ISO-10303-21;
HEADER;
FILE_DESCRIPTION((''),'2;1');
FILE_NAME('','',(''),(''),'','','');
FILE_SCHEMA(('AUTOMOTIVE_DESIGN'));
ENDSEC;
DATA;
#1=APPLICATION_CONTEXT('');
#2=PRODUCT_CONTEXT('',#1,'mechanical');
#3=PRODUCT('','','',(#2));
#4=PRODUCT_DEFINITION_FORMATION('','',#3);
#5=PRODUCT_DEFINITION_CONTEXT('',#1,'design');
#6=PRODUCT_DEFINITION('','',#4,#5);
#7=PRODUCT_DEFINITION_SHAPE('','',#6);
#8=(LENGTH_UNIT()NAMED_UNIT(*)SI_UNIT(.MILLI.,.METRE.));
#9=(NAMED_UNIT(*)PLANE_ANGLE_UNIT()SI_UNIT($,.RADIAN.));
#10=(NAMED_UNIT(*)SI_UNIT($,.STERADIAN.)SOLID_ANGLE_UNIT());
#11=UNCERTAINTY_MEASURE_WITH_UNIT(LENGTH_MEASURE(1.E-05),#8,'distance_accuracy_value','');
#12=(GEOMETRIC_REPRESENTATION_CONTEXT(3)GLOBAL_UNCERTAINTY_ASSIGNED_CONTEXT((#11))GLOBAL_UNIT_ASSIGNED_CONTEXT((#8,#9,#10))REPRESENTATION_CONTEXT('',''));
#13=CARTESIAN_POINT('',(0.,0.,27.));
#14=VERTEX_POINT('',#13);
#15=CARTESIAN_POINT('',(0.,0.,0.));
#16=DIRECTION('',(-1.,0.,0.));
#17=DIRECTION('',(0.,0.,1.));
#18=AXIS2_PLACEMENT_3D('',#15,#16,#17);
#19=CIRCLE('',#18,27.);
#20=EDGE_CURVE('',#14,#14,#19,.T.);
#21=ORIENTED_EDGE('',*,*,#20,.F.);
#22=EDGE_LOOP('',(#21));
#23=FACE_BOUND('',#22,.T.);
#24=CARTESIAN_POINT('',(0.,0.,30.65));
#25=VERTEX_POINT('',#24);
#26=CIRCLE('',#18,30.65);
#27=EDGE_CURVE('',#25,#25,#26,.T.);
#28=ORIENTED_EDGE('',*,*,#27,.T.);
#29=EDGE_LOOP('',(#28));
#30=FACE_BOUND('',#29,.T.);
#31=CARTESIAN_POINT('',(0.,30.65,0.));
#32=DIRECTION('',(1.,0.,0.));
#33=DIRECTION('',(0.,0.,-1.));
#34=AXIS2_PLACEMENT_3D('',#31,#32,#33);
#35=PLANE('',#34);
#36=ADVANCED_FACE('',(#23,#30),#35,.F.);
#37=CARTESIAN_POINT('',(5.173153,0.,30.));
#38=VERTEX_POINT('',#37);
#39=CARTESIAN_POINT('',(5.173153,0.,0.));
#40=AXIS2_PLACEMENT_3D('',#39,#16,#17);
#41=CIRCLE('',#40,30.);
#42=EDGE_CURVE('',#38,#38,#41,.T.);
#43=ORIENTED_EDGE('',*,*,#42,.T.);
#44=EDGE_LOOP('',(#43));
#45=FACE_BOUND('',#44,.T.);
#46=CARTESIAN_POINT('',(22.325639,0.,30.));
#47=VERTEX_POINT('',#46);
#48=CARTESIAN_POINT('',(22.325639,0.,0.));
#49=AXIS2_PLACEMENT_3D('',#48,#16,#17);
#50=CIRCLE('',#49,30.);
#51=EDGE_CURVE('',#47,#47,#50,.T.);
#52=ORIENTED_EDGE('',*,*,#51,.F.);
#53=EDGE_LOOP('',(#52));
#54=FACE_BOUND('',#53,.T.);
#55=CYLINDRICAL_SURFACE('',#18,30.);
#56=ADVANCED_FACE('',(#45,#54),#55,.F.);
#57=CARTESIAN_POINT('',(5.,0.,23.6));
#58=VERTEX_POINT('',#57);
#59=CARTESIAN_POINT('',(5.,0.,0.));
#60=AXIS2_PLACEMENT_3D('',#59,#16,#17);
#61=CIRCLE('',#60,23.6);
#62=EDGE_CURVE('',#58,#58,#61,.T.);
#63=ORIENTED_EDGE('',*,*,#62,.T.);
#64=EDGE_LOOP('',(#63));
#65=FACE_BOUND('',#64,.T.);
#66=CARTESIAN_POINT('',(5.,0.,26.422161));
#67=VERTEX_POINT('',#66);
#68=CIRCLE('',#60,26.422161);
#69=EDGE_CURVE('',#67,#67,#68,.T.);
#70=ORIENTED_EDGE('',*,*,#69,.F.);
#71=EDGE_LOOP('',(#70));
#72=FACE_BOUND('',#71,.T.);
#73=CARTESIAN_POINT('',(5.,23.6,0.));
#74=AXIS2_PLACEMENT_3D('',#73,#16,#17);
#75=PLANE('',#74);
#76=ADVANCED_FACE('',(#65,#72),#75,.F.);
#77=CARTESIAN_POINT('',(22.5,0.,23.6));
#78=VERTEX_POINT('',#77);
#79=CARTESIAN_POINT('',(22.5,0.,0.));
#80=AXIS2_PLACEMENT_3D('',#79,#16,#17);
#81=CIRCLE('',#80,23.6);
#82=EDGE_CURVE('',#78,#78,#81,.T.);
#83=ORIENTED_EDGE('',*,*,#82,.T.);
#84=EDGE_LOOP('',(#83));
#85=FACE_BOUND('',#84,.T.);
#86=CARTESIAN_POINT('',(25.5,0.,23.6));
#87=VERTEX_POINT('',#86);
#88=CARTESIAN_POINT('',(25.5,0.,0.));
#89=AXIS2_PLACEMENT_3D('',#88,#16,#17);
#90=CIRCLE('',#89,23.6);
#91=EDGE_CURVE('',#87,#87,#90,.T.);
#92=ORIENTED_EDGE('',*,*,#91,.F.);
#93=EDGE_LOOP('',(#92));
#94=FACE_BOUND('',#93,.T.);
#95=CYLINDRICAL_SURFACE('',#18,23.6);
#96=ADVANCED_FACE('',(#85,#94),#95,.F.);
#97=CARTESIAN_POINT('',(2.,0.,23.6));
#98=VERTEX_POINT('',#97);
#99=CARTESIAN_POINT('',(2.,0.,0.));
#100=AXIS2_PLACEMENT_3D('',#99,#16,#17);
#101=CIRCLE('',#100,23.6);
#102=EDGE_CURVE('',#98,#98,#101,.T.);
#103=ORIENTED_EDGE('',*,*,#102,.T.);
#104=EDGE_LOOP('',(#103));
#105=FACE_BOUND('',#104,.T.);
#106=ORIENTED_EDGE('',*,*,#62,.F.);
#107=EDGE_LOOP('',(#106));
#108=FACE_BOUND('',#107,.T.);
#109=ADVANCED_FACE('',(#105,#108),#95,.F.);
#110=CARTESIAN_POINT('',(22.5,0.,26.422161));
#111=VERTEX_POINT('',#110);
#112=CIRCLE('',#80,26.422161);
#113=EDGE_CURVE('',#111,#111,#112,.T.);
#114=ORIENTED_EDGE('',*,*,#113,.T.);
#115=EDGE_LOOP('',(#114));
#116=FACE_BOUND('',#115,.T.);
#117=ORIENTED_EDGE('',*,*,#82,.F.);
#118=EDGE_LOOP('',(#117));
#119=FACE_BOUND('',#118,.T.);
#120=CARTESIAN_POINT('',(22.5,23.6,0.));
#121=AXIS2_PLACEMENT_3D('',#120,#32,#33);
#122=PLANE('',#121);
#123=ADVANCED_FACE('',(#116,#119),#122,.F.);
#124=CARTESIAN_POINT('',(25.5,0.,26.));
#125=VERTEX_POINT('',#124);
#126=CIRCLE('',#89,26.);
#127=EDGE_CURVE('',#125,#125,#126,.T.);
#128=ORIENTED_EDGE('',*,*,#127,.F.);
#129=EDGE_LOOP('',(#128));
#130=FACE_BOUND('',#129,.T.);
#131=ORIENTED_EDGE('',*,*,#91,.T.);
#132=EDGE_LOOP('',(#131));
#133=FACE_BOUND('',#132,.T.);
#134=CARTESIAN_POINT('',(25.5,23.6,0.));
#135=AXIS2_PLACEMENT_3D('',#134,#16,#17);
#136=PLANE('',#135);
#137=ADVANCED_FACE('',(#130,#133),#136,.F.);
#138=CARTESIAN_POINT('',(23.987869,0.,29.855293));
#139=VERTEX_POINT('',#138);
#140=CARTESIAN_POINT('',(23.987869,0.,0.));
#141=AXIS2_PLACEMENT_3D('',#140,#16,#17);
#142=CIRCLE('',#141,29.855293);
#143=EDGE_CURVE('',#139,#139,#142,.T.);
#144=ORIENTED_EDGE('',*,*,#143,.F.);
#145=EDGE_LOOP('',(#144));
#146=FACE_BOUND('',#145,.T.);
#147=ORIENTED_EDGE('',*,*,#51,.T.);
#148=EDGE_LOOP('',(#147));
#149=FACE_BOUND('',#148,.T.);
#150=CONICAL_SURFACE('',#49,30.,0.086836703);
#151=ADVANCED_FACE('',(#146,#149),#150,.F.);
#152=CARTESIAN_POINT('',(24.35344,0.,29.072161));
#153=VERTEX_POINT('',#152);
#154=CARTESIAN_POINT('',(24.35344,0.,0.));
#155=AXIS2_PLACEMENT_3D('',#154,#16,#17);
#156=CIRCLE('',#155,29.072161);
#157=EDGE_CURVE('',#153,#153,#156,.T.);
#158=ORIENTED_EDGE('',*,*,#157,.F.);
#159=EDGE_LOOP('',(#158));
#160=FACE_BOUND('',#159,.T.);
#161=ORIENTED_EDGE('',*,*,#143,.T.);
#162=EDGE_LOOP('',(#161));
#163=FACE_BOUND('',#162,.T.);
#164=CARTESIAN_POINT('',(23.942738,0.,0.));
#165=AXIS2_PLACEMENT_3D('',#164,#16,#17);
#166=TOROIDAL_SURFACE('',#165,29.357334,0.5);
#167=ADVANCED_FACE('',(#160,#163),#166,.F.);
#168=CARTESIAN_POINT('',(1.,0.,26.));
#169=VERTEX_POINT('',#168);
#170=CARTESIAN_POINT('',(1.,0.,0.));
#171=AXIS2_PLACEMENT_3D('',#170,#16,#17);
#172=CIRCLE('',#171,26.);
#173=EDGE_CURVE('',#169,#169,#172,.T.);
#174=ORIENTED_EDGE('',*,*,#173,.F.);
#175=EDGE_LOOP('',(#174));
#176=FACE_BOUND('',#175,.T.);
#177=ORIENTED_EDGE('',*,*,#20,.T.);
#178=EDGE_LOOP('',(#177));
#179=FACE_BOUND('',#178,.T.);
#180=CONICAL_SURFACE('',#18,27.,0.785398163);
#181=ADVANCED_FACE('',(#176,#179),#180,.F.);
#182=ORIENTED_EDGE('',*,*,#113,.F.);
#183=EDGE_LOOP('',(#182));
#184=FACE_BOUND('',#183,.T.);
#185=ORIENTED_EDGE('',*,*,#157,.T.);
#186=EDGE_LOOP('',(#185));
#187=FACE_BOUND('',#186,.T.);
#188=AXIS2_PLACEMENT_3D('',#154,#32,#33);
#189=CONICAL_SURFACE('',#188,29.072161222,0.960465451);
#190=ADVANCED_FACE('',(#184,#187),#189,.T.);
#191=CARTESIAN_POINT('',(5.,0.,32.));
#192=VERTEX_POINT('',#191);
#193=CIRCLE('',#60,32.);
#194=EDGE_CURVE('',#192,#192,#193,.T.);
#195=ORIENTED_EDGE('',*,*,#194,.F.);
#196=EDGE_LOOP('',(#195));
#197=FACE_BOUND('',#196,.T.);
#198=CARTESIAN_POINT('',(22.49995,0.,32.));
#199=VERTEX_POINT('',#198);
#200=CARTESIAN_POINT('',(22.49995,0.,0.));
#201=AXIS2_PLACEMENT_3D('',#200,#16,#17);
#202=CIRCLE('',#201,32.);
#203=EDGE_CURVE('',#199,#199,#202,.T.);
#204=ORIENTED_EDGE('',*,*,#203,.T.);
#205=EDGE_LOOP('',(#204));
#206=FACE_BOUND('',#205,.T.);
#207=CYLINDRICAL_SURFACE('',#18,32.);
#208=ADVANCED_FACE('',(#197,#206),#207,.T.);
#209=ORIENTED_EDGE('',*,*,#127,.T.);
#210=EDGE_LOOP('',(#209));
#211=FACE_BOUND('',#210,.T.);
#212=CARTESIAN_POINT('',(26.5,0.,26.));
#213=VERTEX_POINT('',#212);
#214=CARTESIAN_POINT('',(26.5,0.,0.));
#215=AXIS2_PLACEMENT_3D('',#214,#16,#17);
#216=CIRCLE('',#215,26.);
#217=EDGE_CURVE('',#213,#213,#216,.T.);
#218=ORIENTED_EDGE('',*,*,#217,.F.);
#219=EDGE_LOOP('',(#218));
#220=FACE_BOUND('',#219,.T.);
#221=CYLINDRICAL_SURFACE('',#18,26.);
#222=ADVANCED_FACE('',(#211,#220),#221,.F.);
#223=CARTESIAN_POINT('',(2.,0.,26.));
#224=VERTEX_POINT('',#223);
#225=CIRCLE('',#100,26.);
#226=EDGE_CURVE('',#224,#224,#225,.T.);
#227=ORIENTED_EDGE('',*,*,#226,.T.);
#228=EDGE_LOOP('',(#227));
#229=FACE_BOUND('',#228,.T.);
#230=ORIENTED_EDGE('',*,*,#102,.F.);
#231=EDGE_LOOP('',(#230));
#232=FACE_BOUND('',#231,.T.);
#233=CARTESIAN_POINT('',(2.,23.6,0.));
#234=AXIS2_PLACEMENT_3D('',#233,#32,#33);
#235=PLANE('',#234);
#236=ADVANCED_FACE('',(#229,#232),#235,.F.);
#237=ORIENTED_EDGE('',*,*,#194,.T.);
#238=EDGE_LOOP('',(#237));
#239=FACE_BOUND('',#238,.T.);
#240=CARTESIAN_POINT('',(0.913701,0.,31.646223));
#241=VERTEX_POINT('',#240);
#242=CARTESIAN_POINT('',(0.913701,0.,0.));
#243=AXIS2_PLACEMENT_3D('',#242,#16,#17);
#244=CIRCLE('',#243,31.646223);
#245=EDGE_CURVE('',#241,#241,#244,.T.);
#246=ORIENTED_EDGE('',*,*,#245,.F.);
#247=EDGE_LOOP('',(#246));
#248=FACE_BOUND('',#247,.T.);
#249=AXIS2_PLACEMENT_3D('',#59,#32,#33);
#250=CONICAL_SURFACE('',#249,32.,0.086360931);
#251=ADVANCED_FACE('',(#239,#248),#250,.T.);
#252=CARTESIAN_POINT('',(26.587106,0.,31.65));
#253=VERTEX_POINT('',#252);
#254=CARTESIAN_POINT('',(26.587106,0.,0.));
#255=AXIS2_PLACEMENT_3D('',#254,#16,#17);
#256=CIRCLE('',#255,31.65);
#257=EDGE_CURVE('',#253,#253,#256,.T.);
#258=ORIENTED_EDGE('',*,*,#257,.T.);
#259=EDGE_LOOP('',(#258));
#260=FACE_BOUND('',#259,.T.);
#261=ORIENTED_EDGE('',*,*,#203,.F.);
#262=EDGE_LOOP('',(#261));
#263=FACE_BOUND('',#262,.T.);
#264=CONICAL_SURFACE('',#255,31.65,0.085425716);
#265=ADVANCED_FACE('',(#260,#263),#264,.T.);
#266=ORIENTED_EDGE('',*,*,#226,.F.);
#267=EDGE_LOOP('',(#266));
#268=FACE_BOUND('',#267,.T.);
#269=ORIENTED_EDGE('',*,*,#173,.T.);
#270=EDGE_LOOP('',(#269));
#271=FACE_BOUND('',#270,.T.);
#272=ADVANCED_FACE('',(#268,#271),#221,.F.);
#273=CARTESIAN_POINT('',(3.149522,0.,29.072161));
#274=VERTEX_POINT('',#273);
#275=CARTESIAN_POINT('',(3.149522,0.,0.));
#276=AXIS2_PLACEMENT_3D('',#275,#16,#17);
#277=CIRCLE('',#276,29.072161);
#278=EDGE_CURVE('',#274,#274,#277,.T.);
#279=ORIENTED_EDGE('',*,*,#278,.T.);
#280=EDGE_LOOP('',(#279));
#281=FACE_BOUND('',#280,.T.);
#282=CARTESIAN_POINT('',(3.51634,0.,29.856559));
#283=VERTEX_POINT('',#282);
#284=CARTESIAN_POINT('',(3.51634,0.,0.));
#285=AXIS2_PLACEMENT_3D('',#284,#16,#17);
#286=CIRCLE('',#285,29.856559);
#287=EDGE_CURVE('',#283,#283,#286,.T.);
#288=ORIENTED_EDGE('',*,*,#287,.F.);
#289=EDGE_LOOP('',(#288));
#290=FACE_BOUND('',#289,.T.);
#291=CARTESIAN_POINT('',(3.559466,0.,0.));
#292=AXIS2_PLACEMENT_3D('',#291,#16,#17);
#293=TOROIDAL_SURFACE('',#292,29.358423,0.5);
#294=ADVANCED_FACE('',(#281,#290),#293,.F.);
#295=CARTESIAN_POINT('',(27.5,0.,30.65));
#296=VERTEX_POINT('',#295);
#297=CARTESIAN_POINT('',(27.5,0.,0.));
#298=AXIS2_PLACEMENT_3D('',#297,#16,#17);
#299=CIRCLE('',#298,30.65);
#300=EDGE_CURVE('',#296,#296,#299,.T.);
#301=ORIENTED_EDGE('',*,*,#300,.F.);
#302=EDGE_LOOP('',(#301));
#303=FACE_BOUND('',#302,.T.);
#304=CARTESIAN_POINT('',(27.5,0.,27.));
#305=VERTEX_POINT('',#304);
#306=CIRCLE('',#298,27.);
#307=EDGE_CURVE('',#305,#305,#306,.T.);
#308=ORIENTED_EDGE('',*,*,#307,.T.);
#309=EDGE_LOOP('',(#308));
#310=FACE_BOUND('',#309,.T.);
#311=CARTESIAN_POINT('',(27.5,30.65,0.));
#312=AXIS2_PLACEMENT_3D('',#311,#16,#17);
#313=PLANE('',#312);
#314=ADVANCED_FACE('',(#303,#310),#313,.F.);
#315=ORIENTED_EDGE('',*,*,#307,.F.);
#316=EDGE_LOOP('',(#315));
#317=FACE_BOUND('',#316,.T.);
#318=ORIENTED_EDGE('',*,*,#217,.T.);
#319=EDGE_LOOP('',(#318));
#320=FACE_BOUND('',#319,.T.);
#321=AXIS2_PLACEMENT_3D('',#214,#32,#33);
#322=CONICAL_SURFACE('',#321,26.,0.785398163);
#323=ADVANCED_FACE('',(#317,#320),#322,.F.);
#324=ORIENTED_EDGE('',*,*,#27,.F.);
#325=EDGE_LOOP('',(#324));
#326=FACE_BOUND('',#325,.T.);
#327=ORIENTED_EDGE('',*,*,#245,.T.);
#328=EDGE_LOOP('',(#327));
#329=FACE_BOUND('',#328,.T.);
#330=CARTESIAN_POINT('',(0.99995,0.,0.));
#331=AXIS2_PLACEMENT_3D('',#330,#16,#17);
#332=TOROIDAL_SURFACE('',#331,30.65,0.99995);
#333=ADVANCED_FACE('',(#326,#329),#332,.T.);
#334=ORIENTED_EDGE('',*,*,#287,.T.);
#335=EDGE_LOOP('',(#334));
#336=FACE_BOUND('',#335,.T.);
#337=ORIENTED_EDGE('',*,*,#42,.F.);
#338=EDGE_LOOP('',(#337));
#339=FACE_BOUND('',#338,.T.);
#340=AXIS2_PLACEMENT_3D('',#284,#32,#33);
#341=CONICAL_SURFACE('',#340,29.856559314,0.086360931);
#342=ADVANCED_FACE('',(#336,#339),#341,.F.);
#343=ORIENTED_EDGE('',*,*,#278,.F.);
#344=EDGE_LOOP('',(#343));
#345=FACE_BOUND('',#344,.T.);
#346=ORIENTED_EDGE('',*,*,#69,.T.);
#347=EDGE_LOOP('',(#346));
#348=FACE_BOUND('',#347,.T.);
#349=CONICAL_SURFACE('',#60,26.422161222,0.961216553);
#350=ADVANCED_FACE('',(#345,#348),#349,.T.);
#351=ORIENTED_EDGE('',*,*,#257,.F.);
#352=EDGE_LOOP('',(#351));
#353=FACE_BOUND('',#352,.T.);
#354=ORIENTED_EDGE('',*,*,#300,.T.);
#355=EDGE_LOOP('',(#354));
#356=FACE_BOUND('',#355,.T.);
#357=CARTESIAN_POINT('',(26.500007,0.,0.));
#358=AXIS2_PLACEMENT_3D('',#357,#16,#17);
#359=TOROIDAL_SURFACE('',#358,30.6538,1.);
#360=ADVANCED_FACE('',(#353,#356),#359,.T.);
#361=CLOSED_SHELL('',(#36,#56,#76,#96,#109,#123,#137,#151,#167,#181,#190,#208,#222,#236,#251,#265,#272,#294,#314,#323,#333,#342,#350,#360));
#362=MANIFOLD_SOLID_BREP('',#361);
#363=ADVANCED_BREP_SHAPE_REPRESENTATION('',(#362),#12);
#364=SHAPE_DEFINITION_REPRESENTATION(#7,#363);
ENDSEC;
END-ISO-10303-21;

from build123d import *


with BuildPart() as part:
    # Esquisse1 → Révolution1 (revolve)
    with BuildSketch(Plane.XY):
        with BuildLine():
            Line((0, 30.65), (0, 27))
            Line((0, 27), (1, 26))
            Line((1, 26), (2, 26))
            Line((2, 26), (2, 23.6))
            Line((2, 23.6), (5, 23.6))
            Line((5, 23.6), (5, 26.422161222))
            Line((5, 26.422161222), (3.149522108, 29.072161222))
            ThreePointArc((3.149522108, 29.072161222), (3.106544314, 29.570228141), (3.516339637, 29.856559314))
            Line((3.516339637, 29.856559314), (5.173152545, 30))
            Line((5.173152545, 30), (22.325638556, 30))
            Line((22.325638556, 30), (23.987869468, 29.85529344))
            ThreePointArc((23.987869468, 29.85529344), (24.395805636, 29.568829063), (24.353440423, 29.072161222))
            Line((24.353440423, 29.072161222), (22.5, 26.422161222))
            Line((22.5, 26.422161222), (22.5, 23.6))
            Line((22.5, 23.6), (25.5, 23.6))
            Line((25.5, 23.6), (25.5, 26))
            Line((25.5, 26), (26.5, 26))
            Line((26.5, 26), (27.5, 27))
            Line((27.5, 27), (27.5, 30.65))
            ThreePointArc((27.5, 30.65), (27.238547604, 31.328009544), (26.587105785, 31.65))
            Line((26.587105785, 31.65), (22.499950042, 32))
            Line((22.499950042, 32), (5, 32))
            Line((5, 32), (0.91370073, 31.64622344))
            ThreePointArc((0.91370073, 31.64622344), (0.263015483, 31.325890185), (0, 30.65))
        make_face()
    revolve(axis=Axis((0, 0, 0), (1, 0, 0)))


solid = part.part
